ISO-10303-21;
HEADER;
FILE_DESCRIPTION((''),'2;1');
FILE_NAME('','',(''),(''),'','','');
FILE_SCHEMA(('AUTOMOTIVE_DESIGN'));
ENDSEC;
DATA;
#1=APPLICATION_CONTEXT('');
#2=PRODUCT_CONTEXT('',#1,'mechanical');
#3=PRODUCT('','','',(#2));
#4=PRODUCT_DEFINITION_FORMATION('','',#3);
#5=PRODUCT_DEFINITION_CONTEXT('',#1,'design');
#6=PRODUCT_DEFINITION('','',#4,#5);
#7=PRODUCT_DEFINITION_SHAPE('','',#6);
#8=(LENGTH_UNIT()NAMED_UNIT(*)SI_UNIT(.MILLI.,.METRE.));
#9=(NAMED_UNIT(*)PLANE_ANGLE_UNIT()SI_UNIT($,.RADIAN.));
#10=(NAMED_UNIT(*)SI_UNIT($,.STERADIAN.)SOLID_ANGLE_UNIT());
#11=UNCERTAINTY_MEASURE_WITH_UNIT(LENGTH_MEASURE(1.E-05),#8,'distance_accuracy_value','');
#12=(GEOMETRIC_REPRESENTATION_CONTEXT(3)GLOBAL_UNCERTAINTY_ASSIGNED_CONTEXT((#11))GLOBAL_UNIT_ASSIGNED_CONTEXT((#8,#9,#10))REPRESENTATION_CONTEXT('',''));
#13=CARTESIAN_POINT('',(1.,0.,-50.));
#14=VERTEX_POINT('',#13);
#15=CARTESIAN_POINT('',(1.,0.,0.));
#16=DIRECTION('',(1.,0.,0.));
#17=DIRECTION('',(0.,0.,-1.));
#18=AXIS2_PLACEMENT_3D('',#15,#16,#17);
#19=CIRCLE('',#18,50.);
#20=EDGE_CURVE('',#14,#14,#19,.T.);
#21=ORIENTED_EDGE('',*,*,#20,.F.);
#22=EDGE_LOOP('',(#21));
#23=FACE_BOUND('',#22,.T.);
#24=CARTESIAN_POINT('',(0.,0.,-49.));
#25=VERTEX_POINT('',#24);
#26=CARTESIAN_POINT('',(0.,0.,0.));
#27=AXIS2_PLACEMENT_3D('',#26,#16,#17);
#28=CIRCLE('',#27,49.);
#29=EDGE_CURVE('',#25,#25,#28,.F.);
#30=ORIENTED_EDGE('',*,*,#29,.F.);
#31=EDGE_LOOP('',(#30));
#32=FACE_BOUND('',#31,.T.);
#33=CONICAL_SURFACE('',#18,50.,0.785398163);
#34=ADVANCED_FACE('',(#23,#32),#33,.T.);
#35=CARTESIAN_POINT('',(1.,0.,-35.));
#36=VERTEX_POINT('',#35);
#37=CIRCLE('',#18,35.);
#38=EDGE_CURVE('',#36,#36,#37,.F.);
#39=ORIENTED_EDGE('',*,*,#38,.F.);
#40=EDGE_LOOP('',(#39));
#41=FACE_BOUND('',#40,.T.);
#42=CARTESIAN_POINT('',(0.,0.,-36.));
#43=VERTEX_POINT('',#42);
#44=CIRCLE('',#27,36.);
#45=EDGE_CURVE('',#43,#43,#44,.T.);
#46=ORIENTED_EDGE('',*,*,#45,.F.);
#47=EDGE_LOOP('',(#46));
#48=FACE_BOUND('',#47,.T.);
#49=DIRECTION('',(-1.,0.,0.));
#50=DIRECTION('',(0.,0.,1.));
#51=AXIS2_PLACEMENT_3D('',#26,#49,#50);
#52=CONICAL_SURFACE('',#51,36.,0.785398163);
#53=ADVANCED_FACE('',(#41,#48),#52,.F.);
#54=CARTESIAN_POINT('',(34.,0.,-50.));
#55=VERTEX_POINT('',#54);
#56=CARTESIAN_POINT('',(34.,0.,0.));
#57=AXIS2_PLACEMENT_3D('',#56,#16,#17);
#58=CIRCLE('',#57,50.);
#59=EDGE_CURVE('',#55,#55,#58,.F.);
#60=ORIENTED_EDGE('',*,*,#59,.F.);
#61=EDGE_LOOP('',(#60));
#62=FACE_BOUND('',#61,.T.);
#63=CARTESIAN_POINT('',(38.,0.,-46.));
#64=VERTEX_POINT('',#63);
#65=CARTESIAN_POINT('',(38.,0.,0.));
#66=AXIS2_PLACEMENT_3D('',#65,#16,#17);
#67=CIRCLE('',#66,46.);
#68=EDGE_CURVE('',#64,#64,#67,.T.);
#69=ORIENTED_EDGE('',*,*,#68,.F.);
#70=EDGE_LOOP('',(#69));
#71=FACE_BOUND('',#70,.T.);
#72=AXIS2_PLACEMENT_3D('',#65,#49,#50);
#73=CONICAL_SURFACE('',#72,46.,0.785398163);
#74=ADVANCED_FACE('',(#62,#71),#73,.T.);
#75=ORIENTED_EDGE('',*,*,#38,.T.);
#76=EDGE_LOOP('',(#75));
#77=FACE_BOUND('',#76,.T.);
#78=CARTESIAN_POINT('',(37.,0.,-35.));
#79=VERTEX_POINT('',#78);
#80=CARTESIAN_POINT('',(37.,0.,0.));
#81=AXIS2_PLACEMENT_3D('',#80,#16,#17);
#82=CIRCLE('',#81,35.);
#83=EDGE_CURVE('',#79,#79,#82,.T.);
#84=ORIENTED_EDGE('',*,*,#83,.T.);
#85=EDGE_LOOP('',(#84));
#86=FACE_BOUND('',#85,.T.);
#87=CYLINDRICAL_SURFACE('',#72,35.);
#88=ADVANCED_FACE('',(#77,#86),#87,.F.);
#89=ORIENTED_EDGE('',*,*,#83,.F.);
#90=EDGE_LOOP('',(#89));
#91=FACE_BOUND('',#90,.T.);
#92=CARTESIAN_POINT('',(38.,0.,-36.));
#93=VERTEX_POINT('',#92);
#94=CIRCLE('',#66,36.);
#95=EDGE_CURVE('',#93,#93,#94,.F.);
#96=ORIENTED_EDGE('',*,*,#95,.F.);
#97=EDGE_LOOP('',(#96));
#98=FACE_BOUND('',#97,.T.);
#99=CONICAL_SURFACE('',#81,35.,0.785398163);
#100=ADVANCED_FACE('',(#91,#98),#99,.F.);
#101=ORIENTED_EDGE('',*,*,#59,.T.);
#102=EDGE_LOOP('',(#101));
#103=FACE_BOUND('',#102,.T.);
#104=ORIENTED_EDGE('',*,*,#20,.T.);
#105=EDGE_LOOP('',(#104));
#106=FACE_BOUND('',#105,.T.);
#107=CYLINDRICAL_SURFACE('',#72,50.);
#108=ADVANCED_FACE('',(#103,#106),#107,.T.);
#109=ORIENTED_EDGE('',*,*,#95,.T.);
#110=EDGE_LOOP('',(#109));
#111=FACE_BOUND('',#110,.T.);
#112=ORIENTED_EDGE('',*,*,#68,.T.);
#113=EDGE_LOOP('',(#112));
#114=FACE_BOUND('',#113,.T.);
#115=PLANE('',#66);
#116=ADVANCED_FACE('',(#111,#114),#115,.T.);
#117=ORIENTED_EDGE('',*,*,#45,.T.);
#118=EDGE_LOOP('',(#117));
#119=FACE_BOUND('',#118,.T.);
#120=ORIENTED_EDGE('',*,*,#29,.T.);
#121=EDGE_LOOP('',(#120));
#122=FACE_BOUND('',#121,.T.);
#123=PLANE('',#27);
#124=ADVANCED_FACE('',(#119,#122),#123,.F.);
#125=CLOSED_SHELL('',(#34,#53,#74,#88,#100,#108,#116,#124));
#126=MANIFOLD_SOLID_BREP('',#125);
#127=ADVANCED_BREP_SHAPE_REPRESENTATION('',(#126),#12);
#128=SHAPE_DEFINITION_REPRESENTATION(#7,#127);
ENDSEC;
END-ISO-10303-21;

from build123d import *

# Parameters (mm, degrees)
SKETCH_1_R      = 50
SKETCH_1_R_2    = 35
EXTRUDE_1_DEPTH = 38
CHAMFER_1_SIZE  = 1
CHAMFER_2_SIZE  = 4


with BuildPart() as part:
    # 草图1 → 凸台-拉伸1 (new body)
    with BuildSketch(Plane(origin=(0, 0, 0), x_dir=(0, 0, -1), z_dir=(1, 0, 0))):
        Circle(SKETCH_1_R)
        Circle(SKETCH_1_R_2, mode=Mode.SUBTRACT)
    extrude(amount=EXTRUDE_1_DEPTH)

    # 倒角1
    chamfer_1_edges = [part.edges().sort_by_distance(p)[0] for p in [
        (0, 0, 50),
        (0, 0, 35),
        (38, 0, 35),
    ]]
    chamfer(chamfer_1_edges, length=CHAMFER_1_SIZE)

    # 倒角2
    chamfer_2_edges = [part.edges().sort_by_distance(p)[0] for p in [
        (38, 0, 50),
    ]]
    chamfer(chamfer_2_edges, length=CHAMFER_2_SIZE)


solid = part.part
